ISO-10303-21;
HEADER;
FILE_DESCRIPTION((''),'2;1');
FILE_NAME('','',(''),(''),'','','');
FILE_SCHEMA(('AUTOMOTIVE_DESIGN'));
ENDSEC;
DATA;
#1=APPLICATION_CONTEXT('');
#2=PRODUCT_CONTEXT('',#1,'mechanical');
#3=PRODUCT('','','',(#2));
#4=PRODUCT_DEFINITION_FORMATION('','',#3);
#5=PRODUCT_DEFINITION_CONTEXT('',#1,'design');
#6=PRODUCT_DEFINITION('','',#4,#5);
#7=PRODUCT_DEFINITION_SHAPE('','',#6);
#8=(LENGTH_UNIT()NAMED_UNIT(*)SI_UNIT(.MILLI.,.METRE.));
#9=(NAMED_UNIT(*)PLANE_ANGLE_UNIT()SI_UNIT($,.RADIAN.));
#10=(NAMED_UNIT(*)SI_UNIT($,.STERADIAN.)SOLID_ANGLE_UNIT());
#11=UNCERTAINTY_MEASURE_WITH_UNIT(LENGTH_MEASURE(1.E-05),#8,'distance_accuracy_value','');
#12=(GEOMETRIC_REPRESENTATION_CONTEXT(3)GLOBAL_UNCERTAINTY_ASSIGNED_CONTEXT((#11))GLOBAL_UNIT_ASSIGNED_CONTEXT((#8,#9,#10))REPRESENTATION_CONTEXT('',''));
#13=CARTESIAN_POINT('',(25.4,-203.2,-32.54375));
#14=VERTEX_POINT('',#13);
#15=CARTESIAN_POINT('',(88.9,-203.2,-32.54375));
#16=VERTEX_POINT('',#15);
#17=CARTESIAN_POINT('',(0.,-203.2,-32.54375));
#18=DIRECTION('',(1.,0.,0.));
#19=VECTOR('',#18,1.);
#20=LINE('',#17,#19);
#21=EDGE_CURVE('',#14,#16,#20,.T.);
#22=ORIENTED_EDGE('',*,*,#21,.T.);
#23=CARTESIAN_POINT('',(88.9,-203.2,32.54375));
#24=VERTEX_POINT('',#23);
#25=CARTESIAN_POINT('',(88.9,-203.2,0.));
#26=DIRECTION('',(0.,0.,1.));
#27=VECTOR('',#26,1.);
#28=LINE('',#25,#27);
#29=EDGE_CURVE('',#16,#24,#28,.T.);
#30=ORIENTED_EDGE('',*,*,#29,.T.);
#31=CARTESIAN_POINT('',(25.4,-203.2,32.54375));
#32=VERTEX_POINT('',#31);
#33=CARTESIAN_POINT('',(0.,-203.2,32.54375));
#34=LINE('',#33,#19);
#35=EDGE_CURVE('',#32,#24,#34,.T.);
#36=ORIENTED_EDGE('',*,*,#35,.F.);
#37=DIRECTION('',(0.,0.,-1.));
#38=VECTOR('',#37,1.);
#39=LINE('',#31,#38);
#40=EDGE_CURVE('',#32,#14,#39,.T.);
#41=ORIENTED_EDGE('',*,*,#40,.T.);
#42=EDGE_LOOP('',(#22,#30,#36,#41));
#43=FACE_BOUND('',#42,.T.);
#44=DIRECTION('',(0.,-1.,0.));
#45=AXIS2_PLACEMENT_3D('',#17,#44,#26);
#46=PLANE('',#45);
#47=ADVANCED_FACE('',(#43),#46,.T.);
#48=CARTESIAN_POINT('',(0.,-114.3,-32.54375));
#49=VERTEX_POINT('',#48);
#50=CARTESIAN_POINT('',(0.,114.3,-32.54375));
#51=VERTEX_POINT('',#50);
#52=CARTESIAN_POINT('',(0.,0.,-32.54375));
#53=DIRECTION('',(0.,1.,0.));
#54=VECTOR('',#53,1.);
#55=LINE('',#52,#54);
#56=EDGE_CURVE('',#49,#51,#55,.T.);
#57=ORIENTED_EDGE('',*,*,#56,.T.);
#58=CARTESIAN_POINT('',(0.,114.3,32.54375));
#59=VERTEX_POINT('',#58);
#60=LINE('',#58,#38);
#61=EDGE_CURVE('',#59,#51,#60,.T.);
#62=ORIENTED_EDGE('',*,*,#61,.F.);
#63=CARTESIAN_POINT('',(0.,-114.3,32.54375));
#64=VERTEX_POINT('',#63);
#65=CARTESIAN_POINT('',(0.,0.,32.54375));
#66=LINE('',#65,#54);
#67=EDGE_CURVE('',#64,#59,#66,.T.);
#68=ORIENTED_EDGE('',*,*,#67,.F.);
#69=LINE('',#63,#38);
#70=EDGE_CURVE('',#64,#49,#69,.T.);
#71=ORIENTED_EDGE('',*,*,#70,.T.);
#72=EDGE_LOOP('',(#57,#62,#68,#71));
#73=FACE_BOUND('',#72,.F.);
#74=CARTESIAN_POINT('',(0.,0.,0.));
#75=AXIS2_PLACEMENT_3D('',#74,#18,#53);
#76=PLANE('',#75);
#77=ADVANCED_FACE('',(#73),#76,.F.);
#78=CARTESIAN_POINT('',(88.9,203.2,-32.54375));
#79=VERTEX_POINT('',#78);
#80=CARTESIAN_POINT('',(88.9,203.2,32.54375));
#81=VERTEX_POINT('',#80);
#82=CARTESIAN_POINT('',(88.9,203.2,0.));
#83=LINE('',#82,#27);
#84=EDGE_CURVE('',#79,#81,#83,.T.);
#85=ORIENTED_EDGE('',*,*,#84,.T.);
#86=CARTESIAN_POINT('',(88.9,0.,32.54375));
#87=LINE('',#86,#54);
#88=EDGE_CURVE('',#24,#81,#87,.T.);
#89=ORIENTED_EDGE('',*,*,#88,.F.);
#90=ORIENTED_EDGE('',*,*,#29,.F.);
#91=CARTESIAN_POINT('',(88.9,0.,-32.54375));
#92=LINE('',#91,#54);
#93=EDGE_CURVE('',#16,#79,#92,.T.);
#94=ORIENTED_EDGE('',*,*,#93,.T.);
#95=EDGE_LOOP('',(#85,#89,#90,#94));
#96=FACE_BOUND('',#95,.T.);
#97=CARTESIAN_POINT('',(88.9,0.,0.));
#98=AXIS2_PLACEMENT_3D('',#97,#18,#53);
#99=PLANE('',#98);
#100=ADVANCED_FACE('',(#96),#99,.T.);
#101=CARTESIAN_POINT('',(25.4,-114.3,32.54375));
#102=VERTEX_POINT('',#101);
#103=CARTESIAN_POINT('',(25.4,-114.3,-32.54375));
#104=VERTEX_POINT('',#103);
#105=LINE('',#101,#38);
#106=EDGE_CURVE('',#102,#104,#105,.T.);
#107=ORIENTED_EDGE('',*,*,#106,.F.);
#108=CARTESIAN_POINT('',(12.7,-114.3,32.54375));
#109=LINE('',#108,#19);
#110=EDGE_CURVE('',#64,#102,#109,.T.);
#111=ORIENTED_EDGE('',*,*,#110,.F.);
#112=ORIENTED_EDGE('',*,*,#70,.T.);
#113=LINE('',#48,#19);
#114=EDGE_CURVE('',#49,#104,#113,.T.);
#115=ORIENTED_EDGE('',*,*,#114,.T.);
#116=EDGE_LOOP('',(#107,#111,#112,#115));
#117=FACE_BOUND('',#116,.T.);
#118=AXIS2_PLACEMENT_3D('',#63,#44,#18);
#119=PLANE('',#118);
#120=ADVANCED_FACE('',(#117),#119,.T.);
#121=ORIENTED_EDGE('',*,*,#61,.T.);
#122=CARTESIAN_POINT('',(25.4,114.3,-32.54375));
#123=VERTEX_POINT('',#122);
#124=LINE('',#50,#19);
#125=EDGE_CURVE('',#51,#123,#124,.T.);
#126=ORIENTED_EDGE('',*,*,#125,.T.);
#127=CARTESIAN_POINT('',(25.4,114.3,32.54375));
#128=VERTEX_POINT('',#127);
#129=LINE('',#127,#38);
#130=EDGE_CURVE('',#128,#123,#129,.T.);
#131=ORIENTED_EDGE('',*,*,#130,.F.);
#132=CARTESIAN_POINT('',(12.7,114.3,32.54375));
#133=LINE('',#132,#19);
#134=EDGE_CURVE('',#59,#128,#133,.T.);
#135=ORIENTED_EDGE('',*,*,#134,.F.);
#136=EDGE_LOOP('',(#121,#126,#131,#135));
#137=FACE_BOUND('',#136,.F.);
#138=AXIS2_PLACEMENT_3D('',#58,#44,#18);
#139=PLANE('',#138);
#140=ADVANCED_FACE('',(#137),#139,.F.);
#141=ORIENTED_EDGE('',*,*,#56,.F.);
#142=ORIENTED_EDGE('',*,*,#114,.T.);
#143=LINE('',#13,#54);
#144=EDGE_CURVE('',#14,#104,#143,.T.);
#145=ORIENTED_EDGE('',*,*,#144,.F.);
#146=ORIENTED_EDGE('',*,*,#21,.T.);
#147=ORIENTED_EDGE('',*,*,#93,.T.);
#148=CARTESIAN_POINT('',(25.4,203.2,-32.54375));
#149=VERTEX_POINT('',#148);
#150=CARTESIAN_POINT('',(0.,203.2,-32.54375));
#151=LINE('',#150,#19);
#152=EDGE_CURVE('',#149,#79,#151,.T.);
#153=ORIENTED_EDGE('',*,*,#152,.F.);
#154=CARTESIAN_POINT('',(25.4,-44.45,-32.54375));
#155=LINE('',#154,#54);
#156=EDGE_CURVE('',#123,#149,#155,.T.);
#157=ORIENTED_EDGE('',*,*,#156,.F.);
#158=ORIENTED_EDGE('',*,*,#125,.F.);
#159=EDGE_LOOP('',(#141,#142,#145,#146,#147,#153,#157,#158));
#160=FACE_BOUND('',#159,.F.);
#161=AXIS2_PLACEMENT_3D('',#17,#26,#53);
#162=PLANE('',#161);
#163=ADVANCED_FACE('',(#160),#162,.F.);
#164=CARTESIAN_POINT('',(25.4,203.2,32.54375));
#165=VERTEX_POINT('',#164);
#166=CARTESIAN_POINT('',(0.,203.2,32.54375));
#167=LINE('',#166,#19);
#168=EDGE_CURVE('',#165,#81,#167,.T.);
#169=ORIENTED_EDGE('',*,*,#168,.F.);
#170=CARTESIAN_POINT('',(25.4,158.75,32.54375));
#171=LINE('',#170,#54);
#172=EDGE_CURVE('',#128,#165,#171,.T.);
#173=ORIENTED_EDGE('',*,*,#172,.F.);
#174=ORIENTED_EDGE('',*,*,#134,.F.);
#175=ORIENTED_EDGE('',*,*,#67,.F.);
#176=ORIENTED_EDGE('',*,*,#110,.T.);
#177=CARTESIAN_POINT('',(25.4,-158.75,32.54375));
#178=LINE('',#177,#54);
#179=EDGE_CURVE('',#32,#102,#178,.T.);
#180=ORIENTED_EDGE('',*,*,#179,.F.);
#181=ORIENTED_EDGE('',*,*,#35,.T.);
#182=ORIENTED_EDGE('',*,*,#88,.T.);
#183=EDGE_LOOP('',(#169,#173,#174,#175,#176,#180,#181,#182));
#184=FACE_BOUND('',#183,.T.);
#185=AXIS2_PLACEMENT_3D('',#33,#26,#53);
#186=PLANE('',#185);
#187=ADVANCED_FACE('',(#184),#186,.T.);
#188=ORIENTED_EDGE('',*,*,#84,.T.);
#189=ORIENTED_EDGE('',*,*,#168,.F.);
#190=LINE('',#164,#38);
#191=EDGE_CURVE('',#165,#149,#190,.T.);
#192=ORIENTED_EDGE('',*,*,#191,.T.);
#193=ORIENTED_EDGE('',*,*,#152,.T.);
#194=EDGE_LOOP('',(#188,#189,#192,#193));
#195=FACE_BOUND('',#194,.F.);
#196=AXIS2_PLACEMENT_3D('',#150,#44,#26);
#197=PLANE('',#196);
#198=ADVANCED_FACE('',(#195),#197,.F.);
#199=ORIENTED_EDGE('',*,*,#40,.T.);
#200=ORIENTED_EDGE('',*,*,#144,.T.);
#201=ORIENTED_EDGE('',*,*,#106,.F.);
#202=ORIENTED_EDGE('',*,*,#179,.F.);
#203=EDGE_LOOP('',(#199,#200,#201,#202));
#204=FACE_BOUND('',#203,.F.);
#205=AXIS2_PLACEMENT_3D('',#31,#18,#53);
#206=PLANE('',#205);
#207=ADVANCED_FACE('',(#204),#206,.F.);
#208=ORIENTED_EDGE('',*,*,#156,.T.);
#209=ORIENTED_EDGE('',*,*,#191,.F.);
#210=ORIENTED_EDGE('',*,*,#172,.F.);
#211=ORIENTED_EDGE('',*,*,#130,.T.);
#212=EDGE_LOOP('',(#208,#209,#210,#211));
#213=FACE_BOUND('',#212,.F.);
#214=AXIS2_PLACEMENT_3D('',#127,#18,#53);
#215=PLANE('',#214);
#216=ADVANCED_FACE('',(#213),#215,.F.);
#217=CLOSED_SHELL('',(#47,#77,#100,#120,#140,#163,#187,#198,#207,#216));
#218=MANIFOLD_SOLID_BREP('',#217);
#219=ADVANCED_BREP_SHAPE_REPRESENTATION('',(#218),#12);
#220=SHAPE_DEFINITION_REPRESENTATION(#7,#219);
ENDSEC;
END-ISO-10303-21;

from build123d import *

# Parameters (mm, degrees)
F0_W     = 406.4
F0_H     = 65.0875
F1_DEPTH = 88.9
F2_W     = 25.4
F2_H     = 88.9
F3_DEPTH = 65.0885


with BuildPart() as f1:
    # F0 (on Right) → F1 (new body)
    with BuildSketch(Plane.YZ):
        Rectangle(F0_W, F0_H)
    extrude(amount=F1_DEPTH)

    # F2 (on face) → F3 (cut, through all)
    with BuildSketch(Plane.XY.offset(32.54375)):
        with Locations((12.7, 158.75)):
            Rectangle(F2_W, F2_H)
        with Locations((12.7, -158.75)):
            Rectangle(F2_W, F2_H)
    extrude(amount=-F3_DEPTH, mode=Mode.SUBTRACT)


solid = f1.part
